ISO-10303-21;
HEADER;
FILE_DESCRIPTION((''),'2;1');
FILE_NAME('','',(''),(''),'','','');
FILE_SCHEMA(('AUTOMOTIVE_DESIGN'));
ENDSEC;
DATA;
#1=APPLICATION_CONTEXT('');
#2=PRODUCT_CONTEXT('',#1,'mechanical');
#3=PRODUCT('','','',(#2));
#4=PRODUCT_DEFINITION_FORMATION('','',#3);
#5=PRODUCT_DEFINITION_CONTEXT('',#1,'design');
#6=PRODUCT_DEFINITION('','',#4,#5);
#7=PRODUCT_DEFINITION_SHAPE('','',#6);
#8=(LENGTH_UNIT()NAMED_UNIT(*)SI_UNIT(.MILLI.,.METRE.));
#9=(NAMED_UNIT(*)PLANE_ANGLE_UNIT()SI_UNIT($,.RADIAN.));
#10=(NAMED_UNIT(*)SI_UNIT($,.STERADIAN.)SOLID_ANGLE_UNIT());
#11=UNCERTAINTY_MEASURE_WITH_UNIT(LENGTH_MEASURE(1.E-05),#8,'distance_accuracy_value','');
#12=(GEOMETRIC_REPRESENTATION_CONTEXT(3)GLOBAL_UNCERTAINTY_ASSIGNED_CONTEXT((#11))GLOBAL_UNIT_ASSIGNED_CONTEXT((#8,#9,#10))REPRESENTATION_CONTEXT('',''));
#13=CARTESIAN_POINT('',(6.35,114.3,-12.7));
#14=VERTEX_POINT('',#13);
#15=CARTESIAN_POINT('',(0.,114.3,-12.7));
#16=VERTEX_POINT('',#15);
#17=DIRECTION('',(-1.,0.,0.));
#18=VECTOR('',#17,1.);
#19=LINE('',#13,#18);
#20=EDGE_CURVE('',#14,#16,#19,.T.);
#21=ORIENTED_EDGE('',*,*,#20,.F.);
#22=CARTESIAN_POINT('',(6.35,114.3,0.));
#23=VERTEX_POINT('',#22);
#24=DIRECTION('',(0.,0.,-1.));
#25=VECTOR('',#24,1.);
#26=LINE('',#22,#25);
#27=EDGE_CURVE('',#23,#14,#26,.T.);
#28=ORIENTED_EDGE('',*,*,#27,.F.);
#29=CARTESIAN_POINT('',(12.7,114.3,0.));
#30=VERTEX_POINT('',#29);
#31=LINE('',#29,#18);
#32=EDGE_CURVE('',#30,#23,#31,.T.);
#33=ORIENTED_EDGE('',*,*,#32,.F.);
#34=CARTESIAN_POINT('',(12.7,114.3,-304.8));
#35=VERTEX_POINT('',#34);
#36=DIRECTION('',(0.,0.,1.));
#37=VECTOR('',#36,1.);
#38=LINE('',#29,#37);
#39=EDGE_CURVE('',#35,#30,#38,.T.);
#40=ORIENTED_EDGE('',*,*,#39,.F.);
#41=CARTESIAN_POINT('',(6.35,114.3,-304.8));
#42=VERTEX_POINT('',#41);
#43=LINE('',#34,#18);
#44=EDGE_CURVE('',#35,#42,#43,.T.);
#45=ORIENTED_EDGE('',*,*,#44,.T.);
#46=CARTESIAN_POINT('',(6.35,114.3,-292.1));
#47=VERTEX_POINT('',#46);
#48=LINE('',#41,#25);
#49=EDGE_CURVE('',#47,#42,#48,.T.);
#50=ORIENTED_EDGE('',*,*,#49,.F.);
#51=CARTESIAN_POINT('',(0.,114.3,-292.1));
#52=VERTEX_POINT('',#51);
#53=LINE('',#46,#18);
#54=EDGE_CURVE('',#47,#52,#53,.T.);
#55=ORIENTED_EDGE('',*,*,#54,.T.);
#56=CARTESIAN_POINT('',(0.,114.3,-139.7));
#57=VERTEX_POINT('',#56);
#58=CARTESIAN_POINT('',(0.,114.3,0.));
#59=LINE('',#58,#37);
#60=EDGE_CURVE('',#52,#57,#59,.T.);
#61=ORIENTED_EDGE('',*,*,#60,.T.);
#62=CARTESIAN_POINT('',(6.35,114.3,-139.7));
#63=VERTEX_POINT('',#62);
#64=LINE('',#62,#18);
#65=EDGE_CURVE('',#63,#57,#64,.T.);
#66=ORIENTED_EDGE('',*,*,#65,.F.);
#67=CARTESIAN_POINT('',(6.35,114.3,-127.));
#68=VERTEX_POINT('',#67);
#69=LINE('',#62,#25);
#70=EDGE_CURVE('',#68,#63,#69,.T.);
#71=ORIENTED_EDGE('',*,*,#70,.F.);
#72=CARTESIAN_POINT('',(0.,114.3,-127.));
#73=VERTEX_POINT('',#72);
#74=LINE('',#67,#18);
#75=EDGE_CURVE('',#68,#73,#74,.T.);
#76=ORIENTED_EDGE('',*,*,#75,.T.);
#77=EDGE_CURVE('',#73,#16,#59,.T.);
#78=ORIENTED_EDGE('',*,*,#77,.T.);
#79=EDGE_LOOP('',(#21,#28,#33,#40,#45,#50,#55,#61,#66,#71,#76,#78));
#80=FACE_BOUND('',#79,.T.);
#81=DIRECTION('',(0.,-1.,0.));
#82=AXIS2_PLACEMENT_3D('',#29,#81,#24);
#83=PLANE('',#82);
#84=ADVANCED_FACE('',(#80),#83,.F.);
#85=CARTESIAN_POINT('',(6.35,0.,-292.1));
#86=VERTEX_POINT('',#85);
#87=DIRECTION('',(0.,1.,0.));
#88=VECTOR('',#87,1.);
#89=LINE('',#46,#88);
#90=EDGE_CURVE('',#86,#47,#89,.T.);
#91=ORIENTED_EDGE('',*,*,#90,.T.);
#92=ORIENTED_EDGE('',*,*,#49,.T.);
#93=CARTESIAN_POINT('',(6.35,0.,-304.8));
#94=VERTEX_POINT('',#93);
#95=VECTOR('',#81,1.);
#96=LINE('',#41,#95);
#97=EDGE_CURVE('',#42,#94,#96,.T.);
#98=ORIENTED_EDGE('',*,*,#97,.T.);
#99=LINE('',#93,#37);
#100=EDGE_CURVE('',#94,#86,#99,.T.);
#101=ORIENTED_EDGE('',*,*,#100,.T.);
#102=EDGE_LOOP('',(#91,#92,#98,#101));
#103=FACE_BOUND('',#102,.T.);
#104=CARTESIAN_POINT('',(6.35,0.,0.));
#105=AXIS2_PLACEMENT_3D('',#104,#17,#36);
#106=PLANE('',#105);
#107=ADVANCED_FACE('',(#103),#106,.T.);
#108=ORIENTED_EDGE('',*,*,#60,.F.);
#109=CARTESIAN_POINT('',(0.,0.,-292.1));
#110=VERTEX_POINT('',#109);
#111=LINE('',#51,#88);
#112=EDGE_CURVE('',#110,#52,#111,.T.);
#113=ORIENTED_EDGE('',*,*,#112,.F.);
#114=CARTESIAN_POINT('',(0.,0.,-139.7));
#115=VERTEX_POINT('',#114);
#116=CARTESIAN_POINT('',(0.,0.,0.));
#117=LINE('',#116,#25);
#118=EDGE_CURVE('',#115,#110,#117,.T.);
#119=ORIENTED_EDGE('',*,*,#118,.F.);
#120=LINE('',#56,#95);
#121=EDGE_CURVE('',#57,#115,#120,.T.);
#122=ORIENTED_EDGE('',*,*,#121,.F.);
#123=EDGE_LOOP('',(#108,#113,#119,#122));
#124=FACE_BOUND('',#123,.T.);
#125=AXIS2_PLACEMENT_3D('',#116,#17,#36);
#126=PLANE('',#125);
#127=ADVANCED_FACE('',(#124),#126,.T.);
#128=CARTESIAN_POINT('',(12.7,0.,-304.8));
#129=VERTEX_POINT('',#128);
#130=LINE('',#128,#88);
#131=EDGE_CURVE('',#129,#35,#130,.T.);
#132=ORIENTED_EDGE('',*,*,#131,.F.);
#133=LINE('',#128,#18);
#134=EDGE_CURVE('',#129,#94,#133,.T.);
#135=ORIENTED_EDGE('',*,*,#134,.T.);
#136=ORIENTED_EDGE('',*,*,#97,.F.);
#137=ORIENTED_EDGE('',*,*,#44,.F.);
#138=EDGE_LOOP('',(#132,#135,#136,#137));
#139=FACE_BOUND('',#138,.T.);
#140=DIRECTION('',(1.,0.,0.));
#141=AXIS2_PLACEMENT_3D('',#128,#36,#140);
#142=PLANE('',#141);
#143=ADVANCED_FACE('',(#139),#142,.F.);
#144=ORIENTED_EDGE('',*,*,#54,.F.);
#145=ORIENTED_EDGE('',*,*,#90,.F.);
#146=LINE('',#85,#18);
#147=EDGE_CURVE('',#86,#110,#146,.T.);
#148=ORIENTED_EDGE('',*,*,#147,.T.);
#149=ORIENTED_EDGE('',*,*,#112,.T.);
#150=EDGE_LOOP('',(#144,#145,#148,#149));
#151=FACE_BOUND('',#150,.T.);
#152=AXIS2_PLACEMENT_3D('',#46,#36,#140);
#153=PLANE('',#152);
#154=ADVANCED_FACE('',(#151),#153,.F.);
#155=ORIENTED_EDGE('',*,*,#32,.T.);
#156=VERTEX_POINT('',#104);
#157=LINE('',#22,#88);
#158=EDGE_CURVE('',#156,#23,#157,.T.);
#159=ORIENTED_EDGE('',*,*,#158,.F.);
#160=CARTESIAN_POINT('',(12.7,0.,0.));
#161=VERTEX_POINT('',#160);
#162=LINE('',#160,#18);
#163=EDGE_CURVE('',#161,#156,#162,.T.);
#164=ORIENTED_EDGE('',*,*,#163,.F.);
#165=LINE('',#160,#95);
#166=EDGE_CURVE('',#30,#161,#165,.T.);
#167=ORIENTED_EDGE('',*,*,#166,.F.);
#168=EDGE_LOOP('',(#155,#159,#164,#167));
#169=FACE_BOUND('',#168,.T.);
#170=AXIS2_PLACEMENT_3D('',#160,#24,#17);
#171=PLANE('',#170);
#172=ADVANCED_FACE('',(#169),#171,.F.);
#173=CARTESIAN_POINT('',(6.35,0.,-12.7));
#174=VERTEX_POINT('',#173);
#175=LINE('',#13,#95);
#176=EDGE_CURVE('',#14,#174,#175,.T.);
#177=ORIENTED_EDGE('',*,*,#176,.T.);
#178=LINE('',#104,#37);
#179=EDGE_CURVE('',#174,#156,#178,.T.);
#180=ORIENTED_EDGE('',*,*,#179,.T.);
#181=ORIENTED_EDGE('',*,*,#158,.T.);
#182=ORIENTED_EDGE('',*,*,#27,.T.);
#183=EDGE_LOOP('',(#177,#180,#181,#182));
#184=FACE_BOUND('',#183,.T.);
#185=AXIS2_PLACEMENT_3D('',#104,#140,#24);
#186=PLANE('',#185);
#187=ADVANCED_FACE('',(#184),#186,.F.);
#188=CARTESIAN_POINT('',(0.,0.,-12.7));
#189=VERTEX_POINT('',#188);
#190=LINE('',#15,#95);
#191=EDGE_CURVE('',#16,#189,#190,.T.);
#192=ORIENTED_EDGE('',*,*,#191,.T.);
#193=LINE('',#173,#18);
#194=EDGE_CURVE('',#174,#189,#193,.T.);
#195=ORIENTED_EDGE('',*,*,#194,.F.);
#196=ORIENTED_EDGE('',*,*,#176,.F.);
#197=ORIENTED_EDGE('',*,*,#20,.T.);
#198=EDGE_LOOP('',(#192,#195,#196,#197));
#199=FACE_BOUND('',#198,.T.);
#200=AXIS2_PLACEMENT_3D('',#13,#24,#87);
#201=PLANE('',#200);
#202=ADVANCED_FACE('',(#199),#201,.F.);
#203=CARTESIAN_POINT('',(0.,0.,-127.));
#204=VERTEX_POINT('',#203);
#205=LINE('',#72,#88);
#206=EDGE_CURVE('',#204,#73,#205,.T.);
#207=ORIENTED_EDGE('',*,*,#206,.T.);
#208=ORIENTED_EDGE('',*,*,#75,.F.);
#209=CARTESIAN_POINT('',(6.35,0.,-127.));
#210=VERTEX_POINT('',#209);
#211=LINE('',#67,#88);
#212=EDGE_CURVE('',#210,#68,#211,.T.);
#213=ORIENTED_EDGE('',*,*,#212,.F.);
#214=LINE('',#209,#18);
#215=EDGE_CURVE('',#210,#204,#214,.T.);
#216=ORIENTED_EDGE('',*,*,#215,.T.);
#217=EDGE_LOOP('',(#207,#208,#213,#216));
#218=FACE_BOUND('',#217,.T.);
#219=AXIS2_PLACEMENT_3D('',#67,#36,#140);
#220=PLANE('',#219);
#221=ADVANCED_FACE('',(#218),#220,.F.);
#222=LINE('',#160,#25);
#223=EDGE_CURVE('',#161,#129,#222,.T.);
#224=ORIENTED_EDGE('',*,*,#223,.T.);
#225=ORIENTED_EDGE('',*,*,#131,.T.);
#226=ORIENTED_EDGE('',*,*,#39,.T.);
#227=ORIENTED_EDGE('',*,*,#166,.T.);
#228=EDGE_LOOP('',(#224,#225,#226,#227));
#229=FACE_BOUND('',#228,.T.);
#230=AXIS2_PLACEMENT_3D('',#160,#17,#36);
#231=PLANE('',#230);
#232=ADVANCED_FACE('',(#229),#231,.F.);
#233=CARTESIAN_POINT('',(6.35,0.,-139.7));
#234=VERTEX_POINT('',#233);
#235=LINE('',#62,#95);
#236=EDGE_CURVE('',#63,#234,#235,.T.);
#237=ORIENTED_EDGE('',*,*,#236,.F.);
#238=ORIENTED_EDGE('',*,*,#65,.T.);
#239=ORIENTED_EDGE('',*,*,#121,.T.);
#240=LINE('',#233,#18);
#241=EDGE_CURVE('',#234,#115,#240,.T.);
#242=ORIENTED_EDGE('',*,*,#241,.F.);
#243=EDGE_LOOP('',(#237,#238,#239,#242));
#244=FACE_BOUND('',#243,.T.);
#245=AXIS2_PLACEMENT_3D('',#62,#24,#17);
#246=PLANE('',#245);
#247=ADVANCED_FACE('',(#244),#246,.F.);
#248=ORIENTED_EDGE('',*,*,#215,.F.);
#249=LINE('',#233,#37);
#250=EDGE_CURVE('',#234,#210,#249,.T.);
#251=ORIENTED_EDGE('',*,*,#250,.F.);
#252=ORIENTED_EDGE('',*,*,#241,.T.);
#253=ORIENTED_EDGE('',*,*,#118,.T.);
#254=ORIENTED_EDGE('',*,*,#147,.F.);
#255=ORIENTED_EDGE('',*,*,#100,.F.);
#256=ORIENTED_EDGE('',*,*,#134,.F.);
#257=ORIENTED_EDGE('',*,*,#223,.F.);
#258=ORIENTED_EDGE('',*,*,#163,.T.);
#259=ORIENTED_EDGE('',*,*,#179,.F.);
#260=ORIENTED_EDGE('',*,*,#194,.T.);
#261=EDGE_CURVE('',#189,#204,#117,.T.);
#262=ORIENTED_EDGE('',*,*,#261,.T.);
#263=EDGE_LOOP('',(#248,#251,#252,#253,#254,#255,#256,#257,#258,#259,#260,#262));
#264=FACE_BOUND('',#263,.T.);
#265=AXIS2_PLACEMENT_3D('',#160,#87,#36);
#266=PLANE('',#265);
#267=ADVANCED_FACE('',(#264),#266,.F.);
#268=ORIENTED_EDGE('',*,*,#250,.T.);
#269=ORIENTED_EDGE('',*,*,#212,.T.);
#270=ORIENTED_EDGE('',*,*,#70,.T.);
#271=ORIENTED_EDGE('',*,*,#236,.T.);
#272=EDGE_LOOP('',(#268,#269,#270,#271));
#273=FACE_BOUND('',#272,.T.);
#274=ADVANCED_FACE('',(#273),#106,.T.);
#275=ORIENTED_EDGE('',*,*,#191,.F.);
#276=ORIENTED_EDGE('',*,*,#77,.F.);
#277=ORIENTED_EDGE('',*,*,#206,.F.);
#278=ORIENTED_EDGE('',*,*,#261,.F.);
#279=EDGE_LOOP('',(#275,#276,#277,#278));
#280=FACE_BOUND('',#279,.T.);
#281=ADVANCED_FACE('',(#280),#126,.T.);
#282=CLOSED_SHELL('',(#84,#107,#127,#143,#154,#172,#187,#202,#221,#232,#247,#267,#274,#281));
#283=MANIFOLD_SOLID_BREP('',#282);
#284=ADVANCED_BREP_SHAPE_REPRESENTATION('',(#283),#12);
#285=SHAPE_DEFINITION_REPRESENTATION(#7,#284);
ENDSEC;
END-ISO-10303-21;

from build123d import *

# Parameters (mm, degrees)
SKETCH1_W           = 304.8
SKETCH1_H           = 114.3
BOSS_EXTRUDE1_DEPTH = 12.7
SKETCH2_W           = 12.7
SKETCH2_H           = 114.3
CUT_EXTRUDE1_DEPTH  = 6.35


with BuildPart() as part:
    # Sketch1 → Boss-Extrude1 (new body)
    with BuildSketch(Plane(origin=(0, 0, 0), x_dir=(0, 0, -1), z_dir=(1, 0, 0))):
        with Locations((152.4, 57.15)):
            Rectangle(SKETCH1_W, SKETCH1_H)
    extrude(amount=BOSS_EXTRUDE1_DEPTH)

    # Sketch2 → Cut-Extrude1 (cut)
    with BuildSketch(Plane.ZY):
        with Locations((-6.35, 57.15)):
            Rectangle(SKETCH2_W, SKETCH2_H)
        with Locations((-298.45, 57.15)):
            Rectangle(SKETCH2_W, SKETCH2_H)
        with Locations((-133.35, 57.15)):
            Rectangle(SKETCH2_W, SKETCH2_H)
    extrude(amount=-CUT_EXTRUDE1_DEPTH, mode=Mode.SUBTRACT)


solid = part.part
